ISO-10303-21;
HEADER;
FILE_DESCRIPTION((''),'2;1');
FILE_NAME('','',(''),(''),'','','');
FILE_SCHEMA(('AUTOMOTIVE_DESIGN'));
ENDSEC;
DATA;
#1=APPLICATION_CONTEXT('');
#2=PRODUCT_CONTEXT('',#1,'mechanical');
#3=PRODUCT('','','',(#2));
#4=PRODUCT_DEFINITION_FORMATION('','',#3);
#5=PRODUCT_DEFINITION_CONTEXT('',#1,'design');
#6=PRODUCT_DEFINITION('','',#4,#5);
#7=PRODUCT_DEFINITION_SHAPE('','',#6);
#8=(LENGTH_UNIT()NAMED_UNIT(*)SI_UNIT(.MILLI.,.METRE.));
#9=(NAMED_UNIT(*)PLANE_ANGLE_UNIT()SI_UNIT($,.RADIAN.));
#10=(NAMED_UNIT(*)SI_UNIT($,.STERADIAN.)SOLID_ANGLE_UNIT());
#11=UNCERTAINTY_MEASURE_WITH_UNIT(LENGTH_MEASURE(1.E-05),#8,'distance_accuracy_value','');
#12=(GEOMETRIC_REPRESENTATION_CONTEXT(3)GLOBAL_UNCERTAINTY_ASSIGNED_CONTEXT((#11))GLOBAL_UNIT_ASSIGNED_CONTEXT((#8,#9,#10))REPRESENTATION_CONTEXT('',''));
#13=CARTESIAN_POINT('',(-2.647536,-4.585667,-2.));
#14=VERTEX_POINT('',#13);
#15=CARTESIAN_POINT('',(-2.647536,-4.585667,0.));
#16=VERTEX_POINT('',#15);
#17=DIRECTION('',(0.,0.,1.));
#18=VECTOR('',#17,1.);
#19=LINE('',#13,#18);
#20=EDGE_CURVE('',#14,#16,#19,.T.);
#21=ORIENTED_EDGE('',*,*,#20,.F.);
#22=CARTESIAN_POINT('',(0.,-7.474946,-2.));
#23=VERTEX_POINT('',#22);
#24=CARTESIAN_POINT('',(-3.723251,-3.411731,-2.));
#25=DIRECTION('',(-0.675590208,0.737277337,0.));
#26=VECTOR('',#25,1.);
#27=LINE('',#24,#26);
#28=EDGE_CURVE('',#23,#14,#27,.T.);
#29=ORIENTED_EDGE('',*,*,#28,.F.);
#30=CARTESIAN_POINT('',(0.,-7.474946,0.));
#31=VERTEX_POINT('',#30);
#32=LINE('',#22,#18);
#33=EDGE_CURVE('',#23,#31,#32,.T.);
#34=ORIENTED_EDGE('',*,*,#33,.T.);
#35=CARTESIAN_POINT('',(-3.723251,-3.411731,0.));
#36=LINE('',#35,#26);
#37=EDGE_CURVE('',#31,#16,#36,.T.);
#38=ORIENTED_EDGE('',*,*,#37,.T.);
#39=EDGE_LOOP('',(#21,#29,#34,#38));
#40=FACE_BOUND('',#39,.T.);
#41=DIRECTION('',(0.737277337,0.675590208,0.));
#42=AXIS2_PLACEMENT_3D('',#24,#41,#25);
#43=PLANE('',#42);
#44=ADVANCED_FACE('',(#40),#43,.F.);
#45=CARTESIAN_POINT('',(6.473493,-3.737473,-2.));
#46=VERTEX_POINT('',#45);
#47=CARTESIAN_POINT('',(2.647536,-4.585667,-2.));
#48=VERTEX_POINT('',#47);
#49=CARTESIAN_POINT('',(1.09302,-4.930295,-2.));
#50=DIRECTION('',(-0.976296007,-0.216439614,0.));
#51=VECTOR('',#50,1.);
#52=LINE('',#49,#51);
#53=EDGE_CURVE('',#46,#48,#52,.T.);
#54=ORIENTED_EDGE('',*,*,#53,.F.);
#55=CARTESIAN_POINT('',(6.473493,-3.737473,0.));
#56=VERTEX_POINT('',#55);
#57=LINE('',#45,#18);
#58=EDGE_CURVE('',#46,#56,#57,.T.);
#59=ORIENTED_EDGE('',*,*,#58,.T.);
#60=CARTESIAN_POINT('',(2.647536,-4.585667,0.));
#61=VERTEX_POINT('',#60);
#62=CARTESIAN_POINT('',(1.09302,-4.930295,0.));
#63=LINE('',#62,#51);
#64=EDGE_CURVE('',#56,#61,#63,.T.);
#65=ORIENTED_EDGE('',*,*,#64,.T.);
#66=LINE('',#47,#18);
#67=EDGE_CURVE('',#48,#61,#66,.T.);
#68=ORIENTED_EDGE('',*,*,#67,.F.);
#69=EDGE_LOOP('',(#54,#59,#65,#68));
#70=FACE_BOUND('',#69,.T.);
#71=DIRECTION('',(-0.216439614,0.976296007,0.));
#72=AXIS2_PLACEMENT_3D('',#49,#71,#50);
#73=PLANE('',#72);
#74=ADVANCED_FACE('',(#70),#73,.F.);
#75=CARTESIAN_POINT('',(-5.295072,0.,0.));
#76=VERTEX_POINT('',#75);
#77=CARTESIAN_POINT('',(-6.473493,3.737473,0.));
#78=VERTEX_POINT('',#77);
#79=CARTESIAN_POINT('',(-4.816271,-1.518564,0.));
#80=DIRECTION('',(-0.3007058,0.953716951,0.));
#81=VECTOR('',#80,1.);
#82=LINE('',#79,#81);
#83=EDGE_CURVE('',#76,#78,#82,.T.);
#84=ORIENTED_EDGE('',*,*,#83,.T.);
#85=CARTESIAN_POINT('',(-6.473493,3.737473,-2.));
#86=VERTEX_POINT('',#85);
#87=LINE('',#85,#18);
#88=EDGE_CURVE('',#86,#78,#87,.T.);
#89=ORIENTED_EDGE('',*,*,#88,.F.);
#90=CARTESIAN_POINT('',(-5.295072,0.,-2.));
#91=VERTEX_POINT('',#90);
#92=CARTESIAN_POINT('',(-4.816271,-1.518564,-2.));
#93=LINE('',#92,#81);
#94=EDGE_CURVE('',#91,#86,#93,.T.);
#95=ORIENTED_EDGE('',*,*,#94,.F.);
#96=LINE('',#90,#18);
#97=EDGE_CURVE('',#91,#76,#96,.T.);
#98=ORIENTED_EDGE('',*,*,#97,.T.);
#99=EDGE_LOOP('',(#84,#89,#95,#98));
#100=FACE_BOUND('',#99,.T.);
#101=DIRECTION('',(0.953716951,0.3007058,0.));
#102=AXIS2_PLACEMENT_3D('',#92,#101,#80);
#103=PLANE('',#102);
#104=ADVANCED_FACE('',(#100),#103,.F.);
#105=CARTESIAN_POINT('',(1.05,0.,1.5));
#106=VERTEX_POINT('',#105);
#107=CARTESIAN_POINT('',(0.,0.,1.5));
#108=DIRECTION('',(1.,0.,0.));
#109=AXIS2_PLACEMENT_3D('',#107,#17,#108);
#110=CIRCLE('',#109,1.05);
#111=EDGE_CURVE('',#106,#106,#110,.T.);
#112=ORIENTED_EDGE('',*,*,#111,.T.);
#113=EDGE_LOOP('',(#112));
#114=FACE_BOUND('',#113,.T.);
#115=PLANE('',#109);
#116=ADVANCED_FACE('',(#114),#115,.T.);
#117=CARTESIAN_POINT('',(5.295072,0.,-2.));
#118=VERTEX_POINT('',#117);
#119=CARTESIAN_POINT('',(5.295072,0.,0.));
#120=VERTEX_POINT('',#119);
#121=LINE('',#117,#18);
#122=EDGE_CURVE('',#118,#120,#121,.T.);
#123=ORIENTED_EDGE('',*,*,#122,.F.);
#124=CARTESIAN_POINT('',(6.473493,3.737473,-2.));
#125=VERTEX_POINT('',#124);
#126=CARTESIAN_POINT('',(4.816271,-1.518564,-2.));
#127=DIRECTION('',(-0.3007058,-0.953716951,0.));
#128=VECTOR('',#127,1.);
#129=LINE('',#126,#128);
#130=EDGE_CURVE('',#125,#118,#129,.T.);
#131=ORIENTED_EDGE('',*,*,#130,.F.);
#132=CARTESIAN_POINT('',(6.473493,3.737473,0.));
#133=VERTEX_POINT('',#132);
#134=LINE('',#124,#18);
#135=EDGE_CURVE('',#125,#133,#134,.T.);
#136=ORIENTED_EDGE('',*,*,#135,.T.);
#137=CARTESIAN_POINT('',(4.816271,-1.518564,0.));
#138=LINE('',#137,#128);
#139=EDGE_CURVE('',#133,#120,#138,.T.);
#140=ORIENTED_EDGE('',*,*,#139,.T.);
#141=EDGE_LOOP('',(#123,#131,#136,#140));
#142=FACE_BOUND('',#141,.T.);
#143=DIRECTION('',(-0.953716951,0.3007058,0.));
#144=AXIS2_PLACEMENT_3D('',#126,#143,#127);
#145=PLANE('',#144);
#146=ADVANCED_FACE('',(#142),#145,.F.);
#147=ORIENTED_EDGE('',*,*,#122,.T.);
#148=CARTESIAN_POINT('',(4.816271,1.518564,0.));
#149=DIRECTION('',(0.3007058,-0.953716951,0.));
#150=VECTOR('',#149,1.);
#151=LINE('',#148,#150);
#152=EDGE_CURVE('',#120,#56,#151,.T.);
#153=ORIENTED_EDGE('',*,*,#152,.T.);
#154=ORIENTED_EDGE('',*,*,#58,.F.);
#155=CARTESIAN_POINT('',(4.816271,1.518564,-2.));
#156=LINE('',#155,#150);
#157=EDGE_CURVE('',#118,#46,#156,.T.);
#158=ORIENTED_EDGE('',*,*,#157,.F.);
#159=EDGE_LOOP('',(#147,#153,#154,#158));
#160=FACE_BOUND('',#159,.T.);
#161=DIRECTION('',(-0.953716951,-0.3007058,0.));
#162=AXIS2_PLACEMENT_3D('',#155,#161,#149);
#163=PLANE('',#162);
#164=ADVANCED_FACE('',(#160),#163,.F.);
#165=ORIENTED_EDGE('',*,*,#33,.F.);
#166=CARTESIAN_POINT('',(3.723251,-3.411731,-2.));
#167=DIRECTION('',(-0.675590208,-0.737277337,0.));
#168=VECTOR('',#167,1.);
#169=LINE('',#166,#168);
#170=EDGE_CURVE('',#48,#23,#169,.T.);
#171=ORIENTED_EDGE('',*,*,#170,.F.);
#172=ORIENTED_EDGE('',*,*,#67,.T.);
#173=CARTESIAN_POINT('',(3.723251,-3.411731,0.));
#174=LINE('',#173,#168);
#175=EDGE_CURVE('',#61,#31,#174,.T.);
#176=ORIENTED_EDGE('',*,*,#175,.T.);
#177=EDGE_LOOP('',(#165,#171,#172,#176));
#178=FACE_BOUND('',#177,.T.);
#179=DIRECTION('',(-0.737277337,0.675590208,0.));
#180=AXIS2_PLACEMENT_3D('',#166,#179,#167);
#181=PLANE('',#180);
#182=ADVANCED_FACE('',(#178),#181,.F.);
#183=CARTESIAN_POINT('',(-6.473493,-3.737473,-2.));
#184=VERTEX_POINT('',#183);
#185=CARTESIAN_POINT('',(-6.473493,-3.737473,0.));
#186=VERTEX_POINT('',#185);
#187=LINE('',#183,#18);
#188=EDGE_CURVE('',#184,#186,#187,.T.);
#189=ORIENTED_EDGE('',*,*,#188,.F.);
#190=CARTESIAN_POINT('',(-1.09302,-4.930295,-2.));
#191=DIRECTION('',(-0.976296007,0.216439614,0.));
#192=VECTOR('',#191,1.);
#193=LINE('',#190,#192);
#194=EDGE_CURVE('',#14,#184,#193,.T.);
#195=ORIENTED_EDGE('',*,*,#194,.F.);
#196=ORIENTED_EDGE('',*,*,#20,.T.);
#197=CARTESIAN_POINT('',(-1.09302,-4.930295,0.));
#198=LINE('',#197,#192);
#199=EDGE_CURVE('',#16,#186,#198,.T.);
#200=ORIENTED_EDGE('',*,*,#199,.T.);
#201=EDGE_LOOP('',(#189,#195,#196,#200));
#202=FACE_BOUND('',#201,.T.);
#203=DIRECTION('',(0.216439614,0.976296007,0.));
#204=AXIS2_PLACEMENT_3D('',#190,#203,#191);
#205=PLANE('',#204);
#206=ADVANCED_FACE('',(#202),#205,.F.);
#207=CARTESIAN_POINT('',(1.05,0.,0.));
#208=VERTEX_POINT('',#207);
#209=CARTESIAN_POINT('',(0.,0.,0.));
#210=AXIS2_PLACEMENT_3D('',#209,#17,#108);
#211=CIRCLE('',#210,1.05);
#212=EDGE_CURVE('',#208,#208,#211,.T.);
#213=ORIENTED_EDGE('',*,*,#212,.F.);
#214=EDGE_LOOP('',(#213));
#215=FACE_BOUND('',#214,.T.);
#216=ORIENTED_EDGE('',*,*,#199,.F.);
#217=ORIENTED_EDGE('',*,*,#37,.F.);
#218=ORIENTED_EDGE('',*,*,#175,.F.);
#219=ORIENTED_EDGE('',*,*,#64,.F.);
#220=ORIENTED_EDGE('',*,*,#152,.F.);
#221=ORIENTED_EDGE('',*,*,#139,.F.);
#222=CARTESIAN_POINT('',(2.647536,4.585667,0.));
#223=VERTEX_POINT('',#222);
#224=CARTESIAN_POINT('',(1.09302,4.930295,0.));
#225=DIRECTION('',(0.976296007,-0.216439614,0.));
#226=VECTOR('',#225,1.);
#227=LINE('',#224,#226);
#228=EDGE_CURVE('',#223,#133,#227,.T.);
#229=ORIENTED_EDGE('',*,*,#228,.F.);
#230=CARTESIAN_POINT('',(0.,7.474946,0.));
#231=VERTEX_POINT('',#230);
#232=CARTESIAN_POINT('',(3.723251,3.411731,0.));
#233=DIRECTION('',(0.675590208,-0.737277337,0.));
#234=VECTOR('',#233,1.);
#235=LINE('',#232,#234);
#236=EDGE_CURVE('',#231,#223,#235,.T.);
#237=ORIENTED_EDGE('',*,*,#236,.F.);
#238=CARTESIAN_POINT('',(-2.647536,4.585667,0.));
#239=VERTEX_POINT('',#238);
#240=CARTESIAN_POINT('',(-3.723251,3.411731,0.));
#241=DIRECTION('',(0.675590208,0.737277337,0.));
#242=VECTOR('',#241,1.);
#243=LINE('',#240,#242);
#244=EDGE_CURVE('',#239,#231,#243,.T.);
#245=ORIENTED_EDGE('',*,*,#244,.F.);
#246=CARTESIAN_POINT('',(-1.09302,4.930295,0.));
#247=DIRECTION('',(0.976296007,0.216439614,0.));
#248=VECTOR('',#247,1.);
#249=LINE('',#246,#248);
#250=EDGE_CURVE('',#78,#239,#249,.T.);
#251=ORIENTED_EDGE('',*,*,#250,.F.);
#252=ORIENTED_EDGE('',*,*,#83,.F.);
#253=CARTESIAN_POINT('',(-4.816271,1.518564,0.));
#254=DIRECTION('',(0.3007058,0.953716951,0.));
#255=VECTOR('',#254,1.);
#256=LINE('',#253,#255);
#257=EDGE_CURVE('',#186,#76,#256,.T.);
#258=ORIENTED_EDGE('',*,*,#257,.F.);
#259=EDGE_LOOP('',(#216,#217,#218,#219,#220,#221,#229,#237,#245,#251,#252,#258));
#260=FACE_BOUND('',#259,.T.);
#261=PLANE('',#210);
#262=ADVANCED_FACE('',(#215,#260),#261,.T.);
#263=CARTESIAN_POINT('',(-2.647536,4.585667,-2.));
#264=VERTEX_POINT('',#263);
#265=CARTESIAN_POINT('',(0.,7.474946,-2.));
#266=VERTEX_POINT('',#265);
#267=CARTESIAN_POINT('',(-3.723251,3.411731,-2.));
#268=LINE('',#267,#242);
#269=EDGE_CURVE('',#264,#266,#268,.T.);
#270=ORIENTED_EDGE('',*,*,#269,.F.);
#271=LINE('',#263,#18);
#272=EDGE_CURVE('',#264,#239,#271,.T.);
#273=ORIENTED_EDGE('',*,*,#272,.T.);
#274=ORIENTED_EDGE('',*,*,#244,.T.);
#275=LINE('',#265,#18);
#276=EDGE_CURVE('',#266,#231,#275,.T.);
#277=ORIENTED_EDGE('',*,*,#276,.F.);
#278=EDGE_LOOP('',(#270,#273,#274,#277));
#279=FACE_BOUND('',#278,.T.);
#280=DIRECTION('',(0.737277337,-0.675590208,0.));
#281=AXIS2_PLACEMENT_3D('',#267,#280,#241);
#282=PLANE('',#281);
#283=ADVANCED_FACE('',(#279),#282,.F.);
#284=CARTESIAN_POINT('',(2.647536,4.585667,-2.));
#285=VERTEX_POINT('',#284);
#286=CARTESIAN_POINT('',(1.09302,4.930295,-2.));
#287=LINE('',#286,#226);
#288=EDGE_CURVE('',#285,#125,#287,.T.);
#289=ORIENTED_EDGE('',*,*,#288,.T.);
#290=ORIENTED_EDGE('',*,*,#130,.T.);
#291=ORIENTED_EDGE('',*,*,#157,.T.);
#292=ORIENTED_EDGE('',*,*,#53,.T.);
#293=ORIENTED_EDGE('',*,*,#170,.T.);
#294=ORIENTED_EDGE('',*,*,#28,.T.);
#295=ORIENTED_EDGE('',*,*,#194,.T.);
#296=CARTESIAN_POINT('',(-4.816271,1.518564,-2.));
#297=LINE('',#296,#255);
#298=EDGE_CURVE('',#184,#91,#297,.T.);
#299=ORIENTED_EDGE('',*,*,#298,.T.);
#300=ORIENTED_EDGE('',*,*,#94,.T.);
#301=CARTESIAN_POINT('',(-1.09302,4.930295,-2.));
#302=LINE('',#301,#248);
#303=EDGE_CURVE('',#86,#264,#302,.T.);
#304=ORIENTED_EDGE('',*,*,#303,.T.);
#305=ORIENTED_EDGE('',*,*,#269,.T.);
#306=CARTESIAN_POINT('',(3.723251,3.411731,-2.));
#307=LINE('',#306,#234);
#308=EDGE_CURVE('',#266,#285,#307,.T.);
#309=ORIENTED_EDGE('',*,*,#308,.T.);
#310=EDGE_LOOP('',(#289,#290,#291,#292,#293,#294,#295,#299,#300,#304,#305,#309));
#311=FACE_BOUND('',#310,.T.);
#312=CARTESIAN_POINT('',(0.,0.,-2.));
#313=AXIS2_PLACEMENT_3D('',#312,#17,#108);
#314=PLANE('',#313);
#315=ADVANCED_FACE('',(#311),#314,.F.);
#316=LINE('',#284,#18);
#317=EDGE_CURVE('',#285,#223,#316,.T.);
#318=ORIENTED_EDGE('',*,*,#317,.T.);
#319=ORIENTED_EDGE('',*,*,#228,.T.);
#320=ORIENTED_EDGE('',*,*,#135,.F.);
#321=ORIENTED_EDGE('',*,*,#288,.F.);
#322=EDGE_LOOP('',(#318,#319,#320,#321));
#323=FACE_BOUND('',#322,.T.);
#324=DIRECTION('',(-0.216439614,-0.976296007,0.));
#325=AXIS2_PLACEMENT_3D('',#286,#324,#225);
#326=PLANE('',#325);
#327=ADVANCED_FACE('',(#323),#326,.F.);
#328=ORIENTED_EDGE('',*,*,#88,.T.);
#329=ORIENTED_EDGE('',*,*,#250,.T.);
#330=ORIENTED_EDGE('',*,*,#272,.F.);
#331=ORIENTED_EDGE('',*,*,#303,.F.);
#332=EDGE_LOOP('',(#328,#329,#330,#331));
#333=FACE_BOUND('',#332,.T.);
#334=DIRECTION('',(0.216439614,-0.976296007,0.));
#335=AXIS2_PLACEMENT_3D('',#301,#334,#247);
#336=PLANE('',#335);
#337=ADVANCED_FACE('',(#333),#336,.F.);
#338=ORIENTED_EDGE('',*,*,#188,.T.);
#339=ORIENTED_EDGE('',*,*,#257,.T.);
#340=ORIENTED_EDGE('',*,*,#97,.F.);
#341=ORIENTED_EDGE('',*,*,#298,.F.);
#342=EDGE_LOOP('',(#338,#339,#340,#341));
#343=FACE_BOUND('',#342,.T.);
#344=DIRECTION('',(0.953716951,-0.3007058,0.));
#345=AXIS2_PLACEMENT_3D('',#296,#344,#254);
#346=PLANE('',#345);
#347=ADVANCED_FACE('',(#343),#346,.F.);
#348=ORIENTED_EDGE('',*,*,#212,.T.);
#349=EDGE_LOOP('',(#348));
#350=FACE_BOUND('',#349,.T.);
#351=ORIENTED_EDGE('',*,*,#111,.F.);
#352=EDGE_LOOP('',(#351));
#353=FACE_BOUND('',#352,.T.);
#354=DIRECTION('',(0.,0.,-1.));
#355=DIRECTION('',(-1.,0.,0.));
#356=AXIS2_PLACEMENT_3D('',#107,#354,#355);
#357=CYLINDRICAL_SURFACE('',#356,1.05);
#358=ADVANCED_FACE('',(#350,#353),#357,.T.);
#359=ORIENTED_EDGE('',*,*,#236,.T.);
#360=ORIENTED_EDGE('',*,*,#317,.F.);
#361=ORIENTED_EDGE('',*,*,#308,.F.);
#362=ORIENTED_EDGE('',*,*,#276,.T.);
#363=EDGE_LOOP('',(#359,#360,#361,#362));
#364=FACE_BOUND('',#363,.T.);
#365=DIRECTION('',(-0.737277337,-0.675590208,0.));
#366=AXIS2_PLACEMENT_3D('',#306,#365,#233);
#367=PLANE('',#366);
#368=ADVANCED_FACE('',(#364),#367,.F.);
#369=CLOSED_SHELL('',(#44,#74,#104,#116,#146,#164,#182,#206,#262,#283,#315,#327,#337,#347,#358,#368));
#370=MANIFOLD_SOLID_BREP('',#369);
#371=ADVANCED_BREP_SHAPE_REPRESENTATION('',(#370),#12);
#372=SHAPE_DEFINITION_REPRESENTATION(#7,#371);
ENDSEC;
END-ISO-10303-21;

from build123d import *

# Parameters (mm, degrees)
BOSS_EXTRUDE1_DEPTH = 2
SKETCH1_4_R         = 1.05
BOSS_EXTRUDE2_DEPTH = 1.5


with BuildPart() as part:
    # Sketch1 → Boss-Extrude1 (new body)
    with BuildSketch(Plane.XY):
        Polygon((2.647536041, 4.585666938), (0, 7.474945526), (-2.647536041, 4.585666938), (-6.473492718, 3.737472763), (-5.295072082, 0), (-6.473492718, -3.737472763), (-2.647536041, -4.585666938), (0, -7.474945526), (2.647536041, -4.585666938), (6.473492718, -3.737472763), (5.295072082, 0), (6.473492718, 3.737472763), align=None)
    extrude(amount=-BOSS_EXTRUDE1_DEPTH)

    # Sketch1<4> → Boss-Extrude2 (add)
    with BuildSketch(Plane.XY):
        Circle(SKETCH1_4_R)
    extrude(amount=BOSS_EXTRUDE2_DEPTH)


solid = part.part
